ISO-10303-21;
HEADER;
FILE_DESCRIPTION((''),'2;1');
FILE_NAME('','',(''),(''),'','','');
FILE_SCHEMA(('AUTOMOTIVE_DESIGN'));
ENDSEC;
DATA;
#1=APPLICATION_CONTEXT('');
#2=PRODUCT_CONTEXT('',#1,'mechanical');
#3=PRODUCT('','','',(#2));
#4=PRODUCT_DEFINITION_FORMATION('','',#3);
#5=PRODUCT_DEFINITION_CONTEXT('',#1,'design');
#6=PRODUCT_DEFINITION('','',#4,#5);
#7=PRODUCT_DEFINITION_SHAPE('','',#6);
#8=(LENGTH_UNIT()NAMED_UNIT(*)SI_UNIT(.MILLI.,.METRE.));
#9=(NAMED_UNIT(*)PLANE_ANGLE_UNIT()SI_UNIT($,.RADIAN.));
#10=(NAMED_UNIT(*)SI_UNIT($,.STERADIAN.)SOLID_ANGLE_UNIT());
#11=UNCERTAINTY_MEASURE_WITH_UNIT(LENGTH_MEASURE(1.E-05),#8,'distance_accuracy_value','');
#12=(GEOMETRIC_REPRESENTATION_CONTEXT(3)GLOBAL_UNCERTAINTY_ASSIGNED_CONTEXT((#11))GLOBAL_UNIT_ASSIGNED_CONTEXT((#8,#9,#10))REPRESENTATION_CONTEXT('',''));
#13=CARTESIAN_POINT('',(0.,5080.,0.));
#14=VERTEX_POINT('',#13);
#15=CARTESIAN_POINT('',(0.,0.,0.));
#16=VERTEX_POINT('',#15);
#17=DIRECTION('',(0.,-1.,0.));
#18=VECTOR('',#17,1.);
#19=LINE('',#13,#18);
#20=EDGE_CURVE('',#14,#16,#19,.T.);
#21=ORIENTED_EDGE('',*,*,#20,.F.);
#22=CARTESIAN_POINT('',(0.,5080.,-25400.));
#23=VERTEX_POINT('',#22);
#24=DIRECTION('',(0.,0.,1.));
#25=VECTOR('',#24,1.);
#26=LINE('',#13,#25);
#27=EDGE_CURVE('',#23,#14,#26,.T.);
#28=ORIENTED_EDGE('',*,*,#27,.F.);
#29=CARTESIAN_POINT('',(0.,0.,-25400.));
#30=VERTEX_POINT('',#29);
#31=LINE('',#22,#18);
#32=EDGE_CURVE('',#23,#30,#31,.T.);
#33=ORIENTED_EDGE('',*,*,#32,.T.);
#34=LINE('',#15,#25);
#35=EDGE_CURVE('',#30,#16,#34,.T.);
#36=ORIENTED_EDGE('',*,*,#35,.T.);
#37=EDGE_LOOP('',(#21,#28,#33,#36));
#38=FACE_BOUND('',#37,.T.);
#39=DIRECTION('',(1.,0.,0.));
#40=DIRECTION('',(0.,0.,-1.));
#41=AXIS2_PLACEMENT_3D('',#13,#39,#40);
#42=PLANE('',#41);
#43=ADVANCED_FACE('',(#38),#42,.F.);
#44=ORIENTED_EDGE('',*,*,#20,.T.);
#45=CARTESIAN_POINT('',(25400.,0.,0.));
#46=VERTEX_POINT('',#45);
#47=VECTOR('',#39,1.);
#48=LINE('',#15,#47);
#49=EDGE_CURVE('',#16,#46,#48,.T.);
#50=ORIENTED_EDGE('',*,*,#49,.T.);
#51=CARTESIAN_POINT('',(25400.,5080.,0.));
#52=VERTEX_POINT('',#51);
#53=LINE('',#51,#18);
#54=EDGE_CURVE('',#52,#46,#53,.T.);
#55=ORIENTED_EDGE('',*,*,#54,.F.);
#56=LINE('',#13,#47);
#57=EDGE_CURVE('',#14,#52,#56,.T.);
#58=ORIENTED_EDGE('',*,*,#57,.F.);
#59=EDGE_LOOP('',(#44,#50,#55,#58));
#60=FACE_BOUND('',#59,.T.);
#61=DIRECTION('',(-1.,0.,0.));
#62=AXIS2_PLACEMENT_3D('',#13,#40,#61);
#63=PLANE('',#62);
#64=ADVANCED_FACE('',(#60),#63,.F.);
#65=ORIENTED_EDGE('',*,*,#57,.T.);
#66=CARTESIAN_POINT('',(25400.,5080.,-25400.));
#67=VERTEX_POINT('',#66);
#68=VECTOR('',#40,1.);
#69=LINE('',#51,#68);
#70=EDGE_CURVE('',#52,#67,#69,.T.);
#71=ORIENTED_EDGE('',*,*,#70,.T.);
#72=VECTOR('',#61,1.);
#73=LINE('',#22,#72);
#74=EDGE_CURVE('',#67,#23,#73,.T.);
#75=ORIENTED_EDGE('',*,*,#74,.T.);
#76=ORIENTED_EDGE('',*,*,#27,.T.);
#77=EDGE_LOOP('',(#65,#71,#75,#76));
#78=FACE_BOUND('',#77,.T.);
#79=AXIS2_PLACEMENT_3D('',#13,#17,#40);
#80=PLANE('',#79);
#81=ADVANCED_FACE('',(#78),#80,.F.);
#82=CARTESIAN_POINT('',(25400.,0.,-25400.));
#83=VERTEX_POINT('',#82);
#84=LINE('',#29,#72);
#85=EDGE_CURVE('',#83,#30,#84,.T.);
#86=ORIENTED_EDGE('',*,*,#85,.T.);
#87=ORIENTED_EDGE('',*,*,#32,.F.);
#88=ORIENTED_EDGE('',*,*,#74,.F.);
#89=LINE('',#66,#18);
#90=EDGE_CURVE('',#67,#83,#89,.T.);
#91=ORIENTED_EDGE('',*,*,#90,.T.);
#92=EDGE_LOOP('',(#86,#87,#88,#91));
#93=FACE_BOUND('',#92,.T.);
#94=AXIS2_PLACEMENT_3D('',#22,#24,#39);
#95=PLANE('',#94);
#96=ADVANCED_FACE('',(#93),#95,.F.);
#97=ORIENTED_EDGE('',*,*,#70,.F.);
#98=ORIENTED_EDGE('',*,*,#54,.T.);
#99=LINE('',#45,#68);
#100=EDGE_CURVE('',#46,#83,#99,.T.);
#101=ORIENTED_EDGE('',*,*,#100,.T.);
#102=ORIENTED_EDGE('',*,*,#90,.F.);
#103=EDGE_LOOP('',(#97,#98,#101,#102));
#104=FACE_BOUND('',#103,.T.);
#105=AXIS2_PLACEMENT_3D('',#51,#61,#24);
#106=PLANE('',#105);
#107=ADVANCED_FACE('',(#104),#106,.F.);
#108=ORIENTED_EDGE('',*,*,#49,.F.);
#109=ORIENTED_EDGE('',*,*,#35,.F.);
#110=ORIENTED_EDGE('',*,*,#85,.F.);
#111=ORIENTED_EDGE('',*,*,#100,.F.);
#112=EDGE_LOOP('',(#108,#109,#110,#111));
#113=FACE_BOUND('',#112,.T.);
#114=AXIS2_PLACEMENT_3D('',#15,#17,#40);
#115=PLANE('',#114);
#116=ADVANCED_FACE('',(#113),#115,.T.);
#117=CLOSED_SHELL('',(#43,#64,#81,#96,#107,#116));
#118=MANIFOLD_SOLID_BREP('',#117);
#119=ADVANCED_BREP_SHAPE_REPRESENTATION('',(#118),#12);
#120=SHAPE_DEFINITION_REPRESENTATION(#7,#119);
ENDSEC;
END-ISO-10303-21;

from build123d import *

# Parameters (mm, degrees)
SKETCH1_W           = 25400
SKETCH1_H           = 25400
BOSS_EXTRUDE1_DEPTH = 5080


with BuildPart() as part:
    # Sketch1 → Boss-Extrude1 (new body)
    with BuildSketch(Plane(origin=(0, 0, 0), x_dir=(1, 0, 0), z_dir=(0, 1, 0))):
        with Locations((12700, 12700)):
            Rectangle(SKETCH1_W, SKETCH1_H)
    extrude(amount=BOSS_EXTRUDE1_DEPTH)


solid = part.part
